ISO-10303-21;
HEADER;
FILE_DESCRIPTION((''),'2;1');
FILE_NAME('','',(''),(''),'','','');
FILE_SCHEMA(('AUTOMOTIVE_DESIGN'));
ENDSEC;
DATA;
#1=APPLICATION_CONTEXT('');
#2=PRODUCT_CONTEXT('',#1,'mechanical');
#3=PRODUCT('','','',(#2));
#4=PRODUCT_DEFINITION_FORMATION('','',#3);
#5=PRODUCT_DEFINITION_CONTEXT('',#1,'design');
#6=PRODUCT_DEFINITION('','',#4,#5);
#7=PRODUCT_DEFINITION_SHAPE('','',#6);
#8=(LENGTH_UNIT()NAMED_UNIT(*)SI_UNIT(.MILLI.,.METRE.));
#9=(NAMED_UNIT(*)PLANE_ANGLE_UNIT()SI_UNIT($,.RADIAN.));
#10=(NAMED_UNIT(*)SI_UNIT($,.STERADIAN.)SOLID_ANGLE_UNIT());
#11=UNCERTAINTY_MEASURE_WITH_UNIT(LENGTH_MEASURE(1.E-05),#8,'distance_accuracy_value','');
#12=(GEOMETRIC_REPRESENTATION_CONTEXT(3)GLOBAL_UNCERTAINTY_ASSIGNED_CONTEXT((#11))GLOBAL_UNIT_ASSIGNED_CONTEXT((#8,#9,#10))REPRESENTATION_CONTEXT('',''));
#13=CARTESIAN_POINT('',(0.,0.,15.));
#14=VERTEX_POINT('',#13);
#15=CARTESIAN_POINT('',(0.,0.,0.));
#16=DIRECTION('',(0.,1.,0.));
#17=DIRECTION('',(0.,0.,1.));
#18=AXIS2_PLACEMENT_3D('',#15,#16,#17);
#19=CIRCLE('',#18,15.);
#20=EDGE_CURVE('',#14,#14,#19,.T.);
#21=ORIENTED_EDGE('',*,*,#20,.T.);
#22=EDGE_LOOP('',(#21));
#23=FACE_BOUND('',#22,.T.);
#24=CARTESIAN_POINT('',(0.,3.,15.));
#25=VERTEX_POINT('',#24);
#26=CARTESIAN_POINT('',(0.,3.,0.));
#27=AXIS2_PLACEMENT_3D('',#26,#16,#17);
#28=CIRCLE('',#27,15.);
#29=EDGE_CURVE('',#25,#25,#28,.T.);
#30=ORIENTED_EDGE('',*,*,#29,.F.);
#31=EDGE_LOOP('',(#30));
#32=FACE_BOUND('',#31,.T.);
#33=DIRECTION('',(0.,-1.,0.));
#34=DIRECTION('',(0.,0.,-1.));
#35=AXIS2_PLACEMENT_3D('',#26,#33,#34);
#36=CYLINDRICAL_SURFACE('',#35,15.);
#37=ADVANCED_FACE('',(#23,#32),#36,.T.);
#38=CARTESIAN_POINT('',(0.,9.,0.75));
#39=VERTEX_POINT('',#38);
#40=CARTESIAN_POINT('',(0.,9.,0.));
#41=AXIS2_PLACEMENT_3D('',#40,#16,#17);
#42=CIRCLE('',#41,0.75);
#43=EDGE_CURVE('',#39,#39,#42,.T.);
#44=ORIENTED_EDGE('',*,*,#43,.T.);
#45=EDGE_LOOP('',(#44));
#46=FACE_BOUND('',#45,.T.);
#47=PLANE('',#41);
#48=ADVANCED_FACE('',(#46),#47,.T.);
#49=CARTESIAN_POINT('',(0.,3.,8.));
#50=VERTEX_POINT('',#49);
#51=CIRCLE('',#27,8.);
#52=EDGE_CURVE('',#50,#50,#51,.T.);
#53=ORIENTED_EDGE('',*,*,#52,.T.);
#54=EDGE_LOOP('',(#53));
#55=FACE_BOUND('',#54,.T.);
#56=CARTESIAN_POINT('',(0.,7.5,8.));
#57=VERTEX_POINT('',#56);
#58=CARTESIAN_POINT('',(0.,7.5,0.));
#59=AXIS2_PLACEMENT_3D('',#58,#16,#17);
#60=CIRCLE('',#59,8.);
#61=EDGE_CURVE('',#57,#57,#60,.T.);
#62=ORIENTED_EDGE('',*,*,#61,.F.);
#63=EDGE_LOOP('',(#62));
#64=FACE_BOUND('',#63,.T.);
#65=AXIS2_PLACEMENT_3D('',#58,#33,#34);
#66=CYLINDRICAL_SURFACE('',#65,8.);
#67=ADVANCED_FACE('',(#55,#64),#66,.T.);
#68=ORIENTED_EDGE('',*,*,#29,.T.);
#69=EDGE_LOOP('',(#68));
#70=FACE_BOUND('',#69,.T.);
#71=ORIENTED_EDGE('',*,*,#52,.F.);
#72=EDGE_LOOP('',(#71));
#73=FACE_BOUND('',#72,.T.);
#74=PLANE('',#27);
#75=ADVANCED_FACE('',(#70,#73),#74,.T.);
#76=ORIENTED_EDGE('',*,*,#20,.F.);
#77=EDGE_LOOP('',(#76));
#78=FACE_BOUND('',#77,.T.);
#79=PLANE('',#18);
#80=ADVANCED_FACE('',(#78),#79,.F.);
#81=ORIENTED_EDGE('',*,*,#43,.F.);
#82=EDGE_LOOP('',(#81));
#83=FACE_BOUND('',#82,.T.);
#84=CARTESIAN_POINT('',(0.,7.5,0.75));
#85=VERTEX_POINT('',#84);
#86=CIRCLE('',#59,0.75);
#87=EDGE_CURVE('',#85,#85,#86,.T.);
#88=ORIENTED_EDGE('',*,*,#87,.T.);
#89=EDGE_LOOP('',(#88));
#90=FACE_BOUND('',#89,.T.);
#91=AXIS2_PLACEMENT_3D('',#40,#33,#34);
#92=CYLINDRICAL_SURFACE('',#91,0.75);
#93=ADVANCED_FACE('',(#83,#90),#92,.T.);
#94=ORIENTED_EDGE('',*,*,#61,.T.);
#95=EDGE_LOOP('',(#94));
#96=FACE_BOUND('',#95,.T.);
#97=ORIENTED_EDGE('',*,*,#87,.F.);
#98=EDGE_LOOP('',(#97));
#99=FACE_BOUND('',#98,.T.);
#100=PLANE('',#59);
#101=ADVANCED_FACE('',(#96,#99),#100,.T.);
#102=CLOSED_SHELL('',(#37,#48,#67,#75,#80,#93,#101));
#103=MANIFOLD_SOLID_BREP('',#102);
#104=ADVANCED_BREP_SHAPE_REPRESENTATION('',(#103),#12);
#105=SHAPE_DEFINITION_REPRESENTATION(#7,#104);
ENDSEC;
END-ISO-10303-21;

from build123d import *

# Parameters (mm, degrees)
SKETCH_1_R      = 15
EXTRUDE_1_DEPTH = 3
SKETCH_2_R      = 8
EXTRUDE_2_DEPTH = 4.5
SKETCH_3_R      = 0.75
EXTRUDE_3_DEPTH = 1.5


with BuildPart() as part:
    # 草图1 → 凸台-拉伸1 (new body)
    with BuildSketch(Plane(origin=(0, 0, 0), x_dir=(1, 0, 0), z_dir=(0, 1, 0))):
        Circle(SKETCH_1_R)
    extrude(amount=EXTRUDE_1_DEPTH)

    # 草图2 → 凸台-拉伸2 (add)
    with BuildSketch(Plane(origin=(0, 3, 0), x_dir=(1, 0, 0), z_dir=(0, 1, 0))):
        Circle(SKETCH_2_R)
    extrude(amount=EXTRUDE_2_DEPTH)

    # 草图3 → 凸台-拉伸3 (add)
    with BuildSketch(Plane(origin=(0, 7.5, 0), x_dir=(1, 0, 0), z_dir=(0, 1, 0))):
        Circle(SKETCH_3_R)
    extrude(amount=EXTRUDE_3_DEPTH)


solid = part.part
